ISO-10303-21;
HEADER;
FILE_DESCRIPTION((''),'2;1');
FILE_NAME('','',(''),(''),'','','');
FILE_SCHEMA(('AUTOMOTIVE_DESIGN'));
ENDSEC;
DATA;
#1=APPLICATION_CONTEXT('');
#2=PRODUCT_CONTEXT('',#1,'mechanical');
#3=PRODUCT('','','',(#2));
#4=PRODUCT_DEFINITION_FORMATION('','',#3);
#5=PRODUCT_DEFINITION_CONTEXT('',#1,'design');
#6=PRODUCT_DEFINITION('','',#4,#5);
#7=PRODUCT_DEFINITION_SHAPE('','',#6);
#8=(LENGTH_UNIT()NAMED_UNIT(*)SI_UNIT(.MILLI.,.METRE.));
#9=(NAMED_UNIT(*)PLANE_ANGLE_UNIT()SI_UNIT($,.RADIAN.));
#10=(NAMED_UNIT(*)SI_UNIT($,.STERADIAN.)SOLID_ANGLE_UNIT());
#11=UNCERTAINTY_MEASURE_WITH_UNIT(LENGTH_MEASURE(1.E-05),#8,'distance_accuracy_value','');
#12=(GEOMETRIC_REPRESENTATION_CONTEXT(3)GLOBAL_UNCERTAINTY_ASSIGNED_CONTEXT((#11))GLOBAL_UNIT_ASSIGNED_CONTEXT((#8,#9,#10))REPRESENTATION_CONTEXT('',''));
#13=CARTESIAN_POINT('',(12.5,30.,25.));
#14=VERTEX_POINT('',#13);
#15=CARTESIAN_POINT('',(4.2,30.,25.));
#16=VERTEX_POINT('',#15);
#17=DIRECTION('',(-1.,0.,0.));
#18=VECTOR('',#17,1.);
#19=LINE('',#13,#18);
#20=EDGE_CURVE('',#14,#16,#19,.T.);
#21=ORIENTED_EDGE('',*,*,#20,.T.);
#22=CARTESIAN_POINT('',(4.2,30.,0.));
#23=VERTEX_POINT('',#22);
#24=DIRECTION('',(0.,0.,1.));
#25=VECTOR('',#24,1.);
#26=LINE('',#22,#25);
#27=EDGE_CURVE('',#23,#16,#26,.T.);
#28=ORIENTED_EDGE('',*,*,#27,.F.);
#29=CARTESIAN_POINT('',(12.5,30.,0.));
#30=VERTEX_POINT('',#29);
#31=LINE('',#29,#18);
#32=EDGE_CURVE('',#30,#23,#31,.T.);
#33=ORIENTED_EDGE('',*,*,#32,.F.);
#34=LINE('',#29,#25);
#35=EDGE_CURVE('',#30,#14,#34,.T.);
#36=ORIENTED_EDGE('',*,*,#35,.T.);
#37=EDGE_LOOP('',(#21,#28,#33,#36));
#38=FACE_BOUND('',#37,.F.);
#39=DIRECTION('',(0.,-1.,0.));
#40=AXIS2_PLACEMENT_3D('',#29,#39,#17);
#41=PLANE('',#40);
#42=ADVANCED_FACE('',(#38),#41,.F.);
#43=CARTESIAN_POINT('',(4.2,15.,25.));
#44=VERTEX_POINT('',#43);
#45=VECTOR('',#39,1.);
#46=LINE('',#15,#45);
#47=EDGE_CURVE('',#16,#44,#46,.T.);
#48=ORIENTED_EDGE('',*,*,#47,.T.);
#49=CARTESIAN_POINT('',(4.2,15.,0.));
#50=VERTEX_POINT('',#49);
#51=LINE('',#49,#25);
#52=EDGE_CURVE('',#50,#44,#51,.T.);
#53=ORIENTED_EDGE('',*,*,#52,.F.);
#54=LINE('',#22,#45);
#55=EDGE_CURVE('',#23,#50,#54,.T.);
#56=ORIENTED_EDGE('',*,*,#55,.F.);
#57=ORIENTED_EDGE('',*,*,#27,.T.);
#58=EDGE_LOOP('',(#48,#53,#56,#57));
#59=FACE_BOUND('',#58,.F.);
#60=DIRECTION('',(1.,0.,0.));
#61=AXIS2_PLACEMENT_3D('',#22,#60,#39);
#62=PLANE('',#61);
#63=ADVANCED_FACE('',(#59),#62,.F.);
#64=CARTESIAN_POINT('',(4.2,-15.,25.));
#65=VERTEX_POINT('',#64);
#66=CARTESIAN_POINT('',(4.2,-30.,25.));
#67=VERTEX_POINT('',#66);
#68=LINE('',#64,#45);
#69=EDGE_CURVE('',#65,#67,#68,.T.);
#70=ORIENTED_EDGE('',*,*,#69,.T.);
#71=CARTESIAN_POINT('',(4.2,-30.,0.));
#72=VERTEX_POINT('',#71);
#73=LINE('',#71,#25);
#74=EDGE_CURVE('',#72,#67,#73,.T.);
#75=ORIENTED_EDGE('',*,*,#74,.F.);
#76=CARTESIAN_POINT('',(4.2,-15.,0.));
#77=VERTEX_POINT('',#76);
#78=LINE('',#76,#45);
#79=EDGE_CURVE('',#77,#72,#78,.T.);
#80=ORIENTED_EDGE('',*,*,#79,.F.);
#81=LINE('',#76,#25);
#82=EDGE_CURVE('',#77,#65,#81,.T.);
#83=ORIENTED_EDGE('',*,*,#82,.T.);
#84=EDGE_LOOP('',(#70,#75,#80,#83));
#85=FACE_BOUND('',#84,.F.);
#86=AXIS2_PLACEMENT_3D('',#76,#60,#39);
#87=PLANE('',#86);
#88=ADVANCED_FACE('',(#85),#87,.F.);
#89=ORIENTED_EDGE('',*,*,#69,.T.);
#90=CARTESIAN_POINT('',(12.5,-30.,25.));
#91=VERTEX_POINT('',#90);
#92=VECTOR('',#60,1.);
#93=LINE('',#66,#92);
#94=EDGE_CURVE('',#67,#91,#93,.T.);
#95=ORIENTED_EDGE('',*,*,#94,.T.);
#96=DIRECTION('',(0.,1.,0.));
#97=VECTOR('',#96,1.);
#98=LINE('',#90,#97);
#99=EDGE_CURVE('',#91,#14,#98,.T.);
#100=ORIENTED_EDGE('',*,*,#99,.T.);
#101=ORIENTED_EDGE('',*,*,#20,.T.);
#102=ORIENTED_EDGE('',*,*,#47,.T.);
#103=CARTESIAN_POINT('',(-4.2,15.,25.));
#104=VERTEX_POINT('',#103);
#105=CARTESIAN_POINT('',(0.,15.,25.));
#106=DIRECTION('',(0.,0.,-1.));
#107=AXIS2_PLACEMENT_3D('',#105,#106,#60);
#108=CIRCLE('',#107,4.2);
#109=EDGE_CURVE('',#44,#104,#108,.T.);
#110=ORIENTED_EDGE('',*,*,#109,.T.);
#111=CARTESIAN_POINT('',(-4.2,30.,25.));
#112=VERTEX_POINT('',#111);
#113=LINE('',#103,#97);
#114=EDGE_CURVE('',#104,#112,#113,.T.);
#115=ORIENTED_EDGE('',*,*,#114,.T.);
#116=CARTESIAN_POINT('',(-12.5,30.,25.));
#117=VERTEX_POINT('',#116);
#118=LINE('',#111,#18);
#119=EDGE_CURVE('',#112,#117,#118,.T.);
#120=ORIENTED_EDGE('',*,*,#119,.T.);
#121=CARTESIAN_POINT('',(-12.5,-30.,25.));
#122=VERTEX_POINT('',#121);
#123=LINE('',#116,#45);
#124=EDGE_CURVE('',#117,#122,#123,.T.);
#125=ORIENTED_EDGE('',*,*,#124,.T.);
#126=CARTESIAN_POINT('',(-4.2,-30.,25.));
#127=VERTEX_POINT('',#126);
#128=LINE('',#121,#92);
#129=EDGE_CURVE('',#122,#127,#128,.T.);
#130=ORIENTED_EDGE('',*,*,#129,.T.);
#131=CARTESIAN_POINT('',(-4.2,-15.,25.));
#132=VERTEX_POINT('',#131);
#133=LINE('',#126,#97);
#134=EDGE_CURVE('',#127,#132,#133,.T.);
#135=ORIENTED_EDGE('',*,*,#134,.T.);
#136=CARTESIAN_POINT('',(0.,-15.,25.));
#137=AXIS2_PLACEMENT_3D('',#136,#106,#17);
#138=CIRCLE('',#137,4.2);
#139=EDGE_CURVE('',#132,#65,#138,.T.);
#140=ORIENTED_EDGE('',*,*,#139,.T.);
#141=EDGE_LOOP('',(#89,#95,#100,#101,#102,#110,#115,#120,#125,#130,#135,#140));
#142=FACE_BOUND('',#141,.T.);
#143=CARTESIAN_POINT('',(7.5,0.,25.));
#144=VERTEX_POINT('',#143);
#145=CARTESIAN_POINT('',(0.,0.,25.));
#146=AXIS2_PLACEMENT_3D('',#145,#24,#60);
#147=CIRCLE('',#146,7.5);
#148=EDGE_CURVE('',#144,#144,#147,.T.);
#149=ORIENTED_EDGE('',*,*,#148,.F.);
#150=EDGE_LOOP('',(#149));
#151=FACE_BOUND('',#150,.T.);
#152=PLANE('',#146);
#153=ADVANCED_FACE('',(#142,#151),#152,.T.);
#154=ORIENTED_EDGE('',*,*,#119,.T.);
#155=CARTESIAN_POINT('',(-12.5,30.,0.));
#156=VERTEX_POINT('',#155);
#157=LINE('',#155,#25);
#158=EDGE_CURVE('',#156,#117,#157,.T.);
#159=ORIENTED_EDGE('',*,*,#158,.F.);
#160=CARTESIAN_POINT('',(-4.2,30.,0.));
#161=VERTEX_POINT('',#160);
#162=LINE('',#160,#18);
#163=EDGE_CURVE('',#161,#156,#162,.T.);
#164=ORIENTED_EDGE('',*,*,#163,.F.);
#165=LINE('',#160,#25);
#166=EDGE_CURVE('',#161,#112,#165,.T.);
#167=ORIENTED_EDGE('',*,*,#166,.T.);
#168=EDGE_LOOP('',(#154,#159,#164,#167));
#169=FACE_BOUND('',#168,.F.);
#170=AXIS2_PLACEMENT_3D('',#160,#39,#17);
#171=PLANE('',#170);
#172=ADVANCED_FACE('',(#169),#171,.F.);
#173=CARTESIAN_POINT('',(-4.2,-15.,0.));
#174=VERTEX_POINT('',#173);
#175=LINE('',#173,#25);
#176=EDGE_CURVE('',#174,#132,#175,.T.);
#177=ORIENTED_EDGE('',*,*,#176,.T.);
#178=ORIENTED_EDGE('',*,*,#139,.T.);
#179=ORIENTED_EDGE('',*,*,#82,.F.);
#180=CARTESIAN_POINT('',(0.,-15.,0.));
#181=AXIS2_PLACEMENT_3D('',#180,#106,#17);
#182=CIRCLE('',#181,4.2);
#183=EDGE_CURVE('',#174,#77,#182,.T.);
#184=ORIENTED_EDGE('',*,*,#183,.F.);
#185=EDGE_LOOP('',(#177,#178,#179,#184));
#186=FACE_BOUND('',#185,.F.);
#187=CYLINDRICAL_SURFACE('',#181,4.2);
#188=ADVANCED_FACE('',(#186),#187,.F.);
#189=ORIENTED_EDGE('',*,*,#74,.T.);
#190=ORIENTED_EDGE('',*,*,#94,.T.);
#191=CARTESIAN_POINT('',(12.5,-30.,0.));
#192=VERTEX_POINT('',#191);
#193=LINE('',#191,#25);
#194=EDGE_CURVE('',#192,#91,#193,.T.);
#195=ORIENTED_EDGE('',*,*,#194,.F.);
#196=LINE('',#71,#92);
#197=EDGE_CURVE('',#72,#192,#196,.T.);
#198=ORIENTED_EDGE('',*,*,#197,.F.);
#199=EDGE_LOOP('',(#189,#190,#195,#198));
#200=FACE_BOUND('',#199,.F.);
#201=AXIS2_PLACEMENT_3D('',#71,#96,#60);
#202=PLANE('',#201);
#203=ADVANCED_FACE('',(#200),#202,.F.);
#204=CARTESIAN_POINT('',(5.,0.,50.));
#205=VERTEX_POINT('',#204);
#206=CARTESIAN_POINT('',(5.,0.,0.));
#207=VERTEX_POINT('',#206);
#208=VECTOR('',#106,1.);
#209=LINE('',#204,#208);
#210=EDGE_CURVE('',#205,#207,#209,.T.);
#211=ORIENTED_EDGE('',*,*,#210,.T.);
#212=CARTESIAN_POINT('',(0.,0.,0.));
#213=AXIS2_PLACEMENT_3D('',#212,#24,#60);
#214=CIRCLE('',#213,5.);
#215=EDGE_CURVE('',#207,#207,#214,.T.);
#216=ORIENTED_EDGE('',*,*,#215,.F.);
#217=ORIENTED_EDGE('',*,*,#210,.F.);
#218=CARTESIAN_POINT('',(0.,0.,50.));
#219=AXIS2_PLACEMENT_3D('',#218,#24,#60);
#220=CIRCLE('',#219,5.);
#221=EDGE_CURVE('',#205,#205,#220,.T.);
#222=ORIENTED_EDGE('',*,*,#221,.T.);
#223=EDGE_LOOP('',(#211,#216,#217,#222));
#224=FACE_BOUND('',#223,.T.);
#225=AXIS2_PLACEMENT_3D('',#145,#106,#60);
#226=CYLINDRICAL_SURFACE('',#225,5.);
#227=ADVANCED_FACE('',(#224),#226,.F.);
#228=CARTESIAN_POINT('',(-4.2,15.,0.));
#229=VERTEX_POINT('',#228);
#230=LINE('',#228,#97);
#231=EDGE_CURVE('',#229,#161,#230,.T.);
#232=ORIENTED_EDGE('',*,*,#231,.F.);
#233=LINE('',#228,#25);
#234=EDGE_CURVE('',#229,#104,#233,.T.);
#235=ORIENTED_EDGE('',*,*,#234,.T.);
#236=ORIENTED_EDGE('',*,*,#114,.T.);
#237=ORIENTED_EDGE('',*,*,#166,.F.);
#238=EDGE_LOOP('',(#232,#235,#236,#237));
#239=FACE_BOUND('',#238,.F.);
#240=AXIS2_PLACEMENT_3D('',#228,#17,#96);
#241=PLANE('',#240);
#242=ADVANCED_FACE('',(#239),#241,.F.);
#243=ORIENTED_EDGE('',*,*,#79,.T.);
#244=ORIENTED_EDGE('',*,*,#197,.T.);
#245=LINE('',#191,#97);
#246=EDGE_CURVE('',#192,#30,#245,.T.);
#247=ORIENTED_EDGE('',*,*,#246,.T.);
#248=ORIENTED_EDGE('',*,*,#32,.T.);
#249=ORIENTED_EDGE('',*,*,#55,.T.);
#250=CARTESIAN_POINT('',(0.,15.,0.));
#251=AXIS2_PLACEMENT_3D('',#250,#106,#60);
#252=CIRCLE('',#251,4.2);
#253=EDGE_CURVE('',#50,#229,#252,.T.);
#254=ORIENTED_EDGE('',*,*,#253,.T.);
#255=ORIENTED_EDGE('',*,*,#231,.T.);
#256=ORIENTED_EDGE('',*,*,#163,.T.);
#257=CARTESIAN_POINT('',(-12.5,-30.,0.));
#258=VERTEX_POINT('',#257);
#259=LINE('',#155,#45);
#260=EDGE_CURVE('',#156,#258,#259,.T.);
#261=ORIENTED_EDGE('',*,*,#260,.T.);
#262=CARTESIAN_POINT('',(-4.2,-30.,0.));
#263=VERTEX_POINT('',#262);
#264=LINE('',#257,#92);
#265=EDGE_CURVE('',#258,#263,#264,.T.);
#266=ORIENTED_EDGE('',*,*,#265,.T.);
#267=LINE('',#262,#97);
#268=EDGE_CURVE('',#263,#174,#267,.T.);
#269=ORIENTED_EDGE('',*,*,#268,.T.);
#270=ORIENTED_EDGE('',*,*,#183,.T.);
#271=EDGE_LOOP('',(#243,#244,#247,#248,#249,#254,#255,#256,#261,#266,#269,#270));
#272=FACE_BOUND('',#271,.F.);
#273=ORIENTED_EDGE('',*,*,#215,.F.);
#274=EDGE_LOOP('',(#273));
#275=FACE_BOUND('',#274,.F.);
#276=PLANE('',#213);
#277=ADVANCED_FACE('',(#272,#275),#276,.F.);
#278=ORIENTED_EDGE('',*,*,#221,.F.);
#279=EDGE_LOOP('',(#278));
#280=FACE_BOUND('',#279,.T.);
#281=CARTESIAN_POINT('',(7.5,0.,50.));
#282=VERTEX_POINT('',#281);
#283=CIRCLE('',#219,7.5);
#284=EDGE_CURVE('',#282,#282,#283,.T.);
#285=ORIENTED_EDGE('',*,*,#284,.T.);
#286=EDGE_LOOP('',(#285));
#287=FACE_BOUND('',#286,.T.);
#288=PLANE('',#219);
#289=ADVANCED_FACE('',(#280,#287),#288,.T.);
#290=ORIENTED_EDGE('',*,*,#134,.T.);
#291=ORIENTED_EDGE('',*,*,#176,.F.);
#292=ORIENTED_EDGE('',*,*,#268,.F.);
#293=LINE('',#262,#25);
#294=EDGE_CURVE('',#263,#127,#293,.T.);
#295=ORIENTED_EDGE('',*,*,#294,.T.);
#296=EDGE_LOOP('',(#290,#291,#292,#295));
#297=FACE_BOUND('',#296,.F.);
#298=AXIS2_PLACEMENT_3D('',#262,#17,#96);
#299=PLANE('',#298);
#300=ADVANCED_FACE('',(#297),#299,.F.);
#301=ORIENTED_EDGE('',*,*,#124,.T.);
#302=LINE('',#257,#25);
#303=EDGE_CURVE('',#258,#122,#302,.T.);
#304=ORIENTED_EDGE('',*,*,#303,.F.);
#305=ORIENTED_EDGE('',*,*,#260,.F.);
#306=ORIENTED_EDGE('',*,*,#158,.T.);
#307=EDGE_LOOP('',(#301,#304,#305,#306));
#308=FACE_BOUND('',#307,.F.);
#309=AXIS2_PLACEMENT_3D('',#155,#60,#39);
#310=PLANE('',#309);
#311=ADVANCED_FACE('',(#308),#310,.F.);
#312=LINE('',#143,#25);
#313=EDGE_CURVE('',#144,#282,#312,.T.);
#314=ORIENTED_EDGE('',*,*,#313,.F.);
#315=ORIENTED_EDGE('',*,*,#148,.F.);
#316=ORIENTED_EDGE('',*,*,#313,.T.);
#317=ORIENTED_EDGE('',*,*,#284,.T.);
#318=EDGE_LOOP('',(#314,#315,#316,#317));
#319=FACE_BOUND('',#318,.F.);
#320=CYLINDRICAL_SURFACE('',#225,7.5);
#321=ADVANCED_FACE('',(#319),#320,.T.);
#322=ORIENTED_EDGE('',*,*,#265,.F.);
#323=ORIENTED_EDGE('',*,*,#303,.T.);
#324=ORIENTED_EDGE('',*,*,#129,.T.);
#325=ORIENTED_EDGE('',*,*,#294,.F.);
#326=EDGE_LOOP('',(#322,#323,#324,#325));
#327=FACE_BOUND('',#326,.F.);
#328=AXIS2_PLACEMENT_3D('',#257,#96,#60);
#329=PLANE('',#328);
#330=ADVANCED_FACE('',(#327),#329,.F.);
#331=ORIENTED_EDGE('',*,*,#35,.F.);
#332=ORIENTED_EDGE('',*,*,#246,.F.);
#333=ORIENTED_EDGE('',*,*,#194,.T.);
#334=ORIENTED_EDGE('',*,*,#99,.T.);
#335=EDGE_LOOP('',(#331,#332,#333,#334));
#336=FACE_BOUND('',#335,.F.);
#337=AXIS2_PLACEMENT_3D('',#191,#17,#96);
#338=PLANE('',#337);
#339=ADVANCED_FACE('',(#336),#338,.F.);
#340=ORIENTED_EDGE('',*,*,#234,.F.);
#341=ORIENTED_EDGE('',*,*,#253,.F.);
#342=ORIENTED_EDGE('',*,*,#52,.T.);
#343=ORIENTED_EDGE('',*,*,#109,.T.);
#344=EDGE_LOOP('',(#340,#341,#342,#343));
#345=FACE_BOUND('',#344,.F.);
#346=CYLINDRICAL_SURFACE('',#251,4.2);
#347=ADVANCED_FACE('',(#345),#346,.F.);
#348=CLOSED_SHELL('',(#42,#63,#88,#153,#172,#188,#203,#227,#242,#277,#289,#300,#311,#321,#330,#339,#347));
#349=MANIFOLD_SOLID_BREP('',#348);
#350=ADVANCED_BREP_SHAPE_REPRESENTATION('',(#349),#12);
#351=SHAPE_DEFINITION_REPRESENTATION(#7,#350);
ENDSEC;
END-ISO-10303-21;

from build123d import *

# Parameters (mm, degrees)
F0_R     = 5
F1_DEPTH = 25
F2_R     = 7.5
F2_R_2   = 5
F3_DEPTH = 25


with BuildPart() as f1:
    # F0 (on Top) → F1 (new body)
    with BuildSketch(Plane.XY):
        with BuildLine():
            Line((4.2, -30), (12.5, -30))
            Line((12.5, -30), (12.5, 30))
            Line((12.5, 30), (4.2, 30))
            Line((4.2, 30), (4.2, 15))
            ThreePointArc((4.2, 15), (0, 10.8), (-4.2, 15))
            Line((-4.2, 15), (-4.2, 30))
            Line((-4.2, 30), (-12.5, 30))
            Line((-12.5, 30), (-12.5, -30))
            Line((-12.5, -30), (-4.2, -30))
            Line((-4.2, -30), (-4.2, -15))
            ThreePointArc((-4.2, -15), (0, -10.8), (4.2, -15))
            Line((4.2, -15), (4.2, -30))
        make_face()
        Circle(F0_R, mode=Mode.SUBTRACT)
    extrude(amount=F1_DEPTH)

    # F2 (on face) → F3 (join)
    with BuildSketch(Plane.XY.offset(25)):
        Circle(F2_R)
        Circle(F2_R_2, mode=Mode.SUBTRACT)
    extrude(amount=F3_DEPTH)


solid = f1.part
